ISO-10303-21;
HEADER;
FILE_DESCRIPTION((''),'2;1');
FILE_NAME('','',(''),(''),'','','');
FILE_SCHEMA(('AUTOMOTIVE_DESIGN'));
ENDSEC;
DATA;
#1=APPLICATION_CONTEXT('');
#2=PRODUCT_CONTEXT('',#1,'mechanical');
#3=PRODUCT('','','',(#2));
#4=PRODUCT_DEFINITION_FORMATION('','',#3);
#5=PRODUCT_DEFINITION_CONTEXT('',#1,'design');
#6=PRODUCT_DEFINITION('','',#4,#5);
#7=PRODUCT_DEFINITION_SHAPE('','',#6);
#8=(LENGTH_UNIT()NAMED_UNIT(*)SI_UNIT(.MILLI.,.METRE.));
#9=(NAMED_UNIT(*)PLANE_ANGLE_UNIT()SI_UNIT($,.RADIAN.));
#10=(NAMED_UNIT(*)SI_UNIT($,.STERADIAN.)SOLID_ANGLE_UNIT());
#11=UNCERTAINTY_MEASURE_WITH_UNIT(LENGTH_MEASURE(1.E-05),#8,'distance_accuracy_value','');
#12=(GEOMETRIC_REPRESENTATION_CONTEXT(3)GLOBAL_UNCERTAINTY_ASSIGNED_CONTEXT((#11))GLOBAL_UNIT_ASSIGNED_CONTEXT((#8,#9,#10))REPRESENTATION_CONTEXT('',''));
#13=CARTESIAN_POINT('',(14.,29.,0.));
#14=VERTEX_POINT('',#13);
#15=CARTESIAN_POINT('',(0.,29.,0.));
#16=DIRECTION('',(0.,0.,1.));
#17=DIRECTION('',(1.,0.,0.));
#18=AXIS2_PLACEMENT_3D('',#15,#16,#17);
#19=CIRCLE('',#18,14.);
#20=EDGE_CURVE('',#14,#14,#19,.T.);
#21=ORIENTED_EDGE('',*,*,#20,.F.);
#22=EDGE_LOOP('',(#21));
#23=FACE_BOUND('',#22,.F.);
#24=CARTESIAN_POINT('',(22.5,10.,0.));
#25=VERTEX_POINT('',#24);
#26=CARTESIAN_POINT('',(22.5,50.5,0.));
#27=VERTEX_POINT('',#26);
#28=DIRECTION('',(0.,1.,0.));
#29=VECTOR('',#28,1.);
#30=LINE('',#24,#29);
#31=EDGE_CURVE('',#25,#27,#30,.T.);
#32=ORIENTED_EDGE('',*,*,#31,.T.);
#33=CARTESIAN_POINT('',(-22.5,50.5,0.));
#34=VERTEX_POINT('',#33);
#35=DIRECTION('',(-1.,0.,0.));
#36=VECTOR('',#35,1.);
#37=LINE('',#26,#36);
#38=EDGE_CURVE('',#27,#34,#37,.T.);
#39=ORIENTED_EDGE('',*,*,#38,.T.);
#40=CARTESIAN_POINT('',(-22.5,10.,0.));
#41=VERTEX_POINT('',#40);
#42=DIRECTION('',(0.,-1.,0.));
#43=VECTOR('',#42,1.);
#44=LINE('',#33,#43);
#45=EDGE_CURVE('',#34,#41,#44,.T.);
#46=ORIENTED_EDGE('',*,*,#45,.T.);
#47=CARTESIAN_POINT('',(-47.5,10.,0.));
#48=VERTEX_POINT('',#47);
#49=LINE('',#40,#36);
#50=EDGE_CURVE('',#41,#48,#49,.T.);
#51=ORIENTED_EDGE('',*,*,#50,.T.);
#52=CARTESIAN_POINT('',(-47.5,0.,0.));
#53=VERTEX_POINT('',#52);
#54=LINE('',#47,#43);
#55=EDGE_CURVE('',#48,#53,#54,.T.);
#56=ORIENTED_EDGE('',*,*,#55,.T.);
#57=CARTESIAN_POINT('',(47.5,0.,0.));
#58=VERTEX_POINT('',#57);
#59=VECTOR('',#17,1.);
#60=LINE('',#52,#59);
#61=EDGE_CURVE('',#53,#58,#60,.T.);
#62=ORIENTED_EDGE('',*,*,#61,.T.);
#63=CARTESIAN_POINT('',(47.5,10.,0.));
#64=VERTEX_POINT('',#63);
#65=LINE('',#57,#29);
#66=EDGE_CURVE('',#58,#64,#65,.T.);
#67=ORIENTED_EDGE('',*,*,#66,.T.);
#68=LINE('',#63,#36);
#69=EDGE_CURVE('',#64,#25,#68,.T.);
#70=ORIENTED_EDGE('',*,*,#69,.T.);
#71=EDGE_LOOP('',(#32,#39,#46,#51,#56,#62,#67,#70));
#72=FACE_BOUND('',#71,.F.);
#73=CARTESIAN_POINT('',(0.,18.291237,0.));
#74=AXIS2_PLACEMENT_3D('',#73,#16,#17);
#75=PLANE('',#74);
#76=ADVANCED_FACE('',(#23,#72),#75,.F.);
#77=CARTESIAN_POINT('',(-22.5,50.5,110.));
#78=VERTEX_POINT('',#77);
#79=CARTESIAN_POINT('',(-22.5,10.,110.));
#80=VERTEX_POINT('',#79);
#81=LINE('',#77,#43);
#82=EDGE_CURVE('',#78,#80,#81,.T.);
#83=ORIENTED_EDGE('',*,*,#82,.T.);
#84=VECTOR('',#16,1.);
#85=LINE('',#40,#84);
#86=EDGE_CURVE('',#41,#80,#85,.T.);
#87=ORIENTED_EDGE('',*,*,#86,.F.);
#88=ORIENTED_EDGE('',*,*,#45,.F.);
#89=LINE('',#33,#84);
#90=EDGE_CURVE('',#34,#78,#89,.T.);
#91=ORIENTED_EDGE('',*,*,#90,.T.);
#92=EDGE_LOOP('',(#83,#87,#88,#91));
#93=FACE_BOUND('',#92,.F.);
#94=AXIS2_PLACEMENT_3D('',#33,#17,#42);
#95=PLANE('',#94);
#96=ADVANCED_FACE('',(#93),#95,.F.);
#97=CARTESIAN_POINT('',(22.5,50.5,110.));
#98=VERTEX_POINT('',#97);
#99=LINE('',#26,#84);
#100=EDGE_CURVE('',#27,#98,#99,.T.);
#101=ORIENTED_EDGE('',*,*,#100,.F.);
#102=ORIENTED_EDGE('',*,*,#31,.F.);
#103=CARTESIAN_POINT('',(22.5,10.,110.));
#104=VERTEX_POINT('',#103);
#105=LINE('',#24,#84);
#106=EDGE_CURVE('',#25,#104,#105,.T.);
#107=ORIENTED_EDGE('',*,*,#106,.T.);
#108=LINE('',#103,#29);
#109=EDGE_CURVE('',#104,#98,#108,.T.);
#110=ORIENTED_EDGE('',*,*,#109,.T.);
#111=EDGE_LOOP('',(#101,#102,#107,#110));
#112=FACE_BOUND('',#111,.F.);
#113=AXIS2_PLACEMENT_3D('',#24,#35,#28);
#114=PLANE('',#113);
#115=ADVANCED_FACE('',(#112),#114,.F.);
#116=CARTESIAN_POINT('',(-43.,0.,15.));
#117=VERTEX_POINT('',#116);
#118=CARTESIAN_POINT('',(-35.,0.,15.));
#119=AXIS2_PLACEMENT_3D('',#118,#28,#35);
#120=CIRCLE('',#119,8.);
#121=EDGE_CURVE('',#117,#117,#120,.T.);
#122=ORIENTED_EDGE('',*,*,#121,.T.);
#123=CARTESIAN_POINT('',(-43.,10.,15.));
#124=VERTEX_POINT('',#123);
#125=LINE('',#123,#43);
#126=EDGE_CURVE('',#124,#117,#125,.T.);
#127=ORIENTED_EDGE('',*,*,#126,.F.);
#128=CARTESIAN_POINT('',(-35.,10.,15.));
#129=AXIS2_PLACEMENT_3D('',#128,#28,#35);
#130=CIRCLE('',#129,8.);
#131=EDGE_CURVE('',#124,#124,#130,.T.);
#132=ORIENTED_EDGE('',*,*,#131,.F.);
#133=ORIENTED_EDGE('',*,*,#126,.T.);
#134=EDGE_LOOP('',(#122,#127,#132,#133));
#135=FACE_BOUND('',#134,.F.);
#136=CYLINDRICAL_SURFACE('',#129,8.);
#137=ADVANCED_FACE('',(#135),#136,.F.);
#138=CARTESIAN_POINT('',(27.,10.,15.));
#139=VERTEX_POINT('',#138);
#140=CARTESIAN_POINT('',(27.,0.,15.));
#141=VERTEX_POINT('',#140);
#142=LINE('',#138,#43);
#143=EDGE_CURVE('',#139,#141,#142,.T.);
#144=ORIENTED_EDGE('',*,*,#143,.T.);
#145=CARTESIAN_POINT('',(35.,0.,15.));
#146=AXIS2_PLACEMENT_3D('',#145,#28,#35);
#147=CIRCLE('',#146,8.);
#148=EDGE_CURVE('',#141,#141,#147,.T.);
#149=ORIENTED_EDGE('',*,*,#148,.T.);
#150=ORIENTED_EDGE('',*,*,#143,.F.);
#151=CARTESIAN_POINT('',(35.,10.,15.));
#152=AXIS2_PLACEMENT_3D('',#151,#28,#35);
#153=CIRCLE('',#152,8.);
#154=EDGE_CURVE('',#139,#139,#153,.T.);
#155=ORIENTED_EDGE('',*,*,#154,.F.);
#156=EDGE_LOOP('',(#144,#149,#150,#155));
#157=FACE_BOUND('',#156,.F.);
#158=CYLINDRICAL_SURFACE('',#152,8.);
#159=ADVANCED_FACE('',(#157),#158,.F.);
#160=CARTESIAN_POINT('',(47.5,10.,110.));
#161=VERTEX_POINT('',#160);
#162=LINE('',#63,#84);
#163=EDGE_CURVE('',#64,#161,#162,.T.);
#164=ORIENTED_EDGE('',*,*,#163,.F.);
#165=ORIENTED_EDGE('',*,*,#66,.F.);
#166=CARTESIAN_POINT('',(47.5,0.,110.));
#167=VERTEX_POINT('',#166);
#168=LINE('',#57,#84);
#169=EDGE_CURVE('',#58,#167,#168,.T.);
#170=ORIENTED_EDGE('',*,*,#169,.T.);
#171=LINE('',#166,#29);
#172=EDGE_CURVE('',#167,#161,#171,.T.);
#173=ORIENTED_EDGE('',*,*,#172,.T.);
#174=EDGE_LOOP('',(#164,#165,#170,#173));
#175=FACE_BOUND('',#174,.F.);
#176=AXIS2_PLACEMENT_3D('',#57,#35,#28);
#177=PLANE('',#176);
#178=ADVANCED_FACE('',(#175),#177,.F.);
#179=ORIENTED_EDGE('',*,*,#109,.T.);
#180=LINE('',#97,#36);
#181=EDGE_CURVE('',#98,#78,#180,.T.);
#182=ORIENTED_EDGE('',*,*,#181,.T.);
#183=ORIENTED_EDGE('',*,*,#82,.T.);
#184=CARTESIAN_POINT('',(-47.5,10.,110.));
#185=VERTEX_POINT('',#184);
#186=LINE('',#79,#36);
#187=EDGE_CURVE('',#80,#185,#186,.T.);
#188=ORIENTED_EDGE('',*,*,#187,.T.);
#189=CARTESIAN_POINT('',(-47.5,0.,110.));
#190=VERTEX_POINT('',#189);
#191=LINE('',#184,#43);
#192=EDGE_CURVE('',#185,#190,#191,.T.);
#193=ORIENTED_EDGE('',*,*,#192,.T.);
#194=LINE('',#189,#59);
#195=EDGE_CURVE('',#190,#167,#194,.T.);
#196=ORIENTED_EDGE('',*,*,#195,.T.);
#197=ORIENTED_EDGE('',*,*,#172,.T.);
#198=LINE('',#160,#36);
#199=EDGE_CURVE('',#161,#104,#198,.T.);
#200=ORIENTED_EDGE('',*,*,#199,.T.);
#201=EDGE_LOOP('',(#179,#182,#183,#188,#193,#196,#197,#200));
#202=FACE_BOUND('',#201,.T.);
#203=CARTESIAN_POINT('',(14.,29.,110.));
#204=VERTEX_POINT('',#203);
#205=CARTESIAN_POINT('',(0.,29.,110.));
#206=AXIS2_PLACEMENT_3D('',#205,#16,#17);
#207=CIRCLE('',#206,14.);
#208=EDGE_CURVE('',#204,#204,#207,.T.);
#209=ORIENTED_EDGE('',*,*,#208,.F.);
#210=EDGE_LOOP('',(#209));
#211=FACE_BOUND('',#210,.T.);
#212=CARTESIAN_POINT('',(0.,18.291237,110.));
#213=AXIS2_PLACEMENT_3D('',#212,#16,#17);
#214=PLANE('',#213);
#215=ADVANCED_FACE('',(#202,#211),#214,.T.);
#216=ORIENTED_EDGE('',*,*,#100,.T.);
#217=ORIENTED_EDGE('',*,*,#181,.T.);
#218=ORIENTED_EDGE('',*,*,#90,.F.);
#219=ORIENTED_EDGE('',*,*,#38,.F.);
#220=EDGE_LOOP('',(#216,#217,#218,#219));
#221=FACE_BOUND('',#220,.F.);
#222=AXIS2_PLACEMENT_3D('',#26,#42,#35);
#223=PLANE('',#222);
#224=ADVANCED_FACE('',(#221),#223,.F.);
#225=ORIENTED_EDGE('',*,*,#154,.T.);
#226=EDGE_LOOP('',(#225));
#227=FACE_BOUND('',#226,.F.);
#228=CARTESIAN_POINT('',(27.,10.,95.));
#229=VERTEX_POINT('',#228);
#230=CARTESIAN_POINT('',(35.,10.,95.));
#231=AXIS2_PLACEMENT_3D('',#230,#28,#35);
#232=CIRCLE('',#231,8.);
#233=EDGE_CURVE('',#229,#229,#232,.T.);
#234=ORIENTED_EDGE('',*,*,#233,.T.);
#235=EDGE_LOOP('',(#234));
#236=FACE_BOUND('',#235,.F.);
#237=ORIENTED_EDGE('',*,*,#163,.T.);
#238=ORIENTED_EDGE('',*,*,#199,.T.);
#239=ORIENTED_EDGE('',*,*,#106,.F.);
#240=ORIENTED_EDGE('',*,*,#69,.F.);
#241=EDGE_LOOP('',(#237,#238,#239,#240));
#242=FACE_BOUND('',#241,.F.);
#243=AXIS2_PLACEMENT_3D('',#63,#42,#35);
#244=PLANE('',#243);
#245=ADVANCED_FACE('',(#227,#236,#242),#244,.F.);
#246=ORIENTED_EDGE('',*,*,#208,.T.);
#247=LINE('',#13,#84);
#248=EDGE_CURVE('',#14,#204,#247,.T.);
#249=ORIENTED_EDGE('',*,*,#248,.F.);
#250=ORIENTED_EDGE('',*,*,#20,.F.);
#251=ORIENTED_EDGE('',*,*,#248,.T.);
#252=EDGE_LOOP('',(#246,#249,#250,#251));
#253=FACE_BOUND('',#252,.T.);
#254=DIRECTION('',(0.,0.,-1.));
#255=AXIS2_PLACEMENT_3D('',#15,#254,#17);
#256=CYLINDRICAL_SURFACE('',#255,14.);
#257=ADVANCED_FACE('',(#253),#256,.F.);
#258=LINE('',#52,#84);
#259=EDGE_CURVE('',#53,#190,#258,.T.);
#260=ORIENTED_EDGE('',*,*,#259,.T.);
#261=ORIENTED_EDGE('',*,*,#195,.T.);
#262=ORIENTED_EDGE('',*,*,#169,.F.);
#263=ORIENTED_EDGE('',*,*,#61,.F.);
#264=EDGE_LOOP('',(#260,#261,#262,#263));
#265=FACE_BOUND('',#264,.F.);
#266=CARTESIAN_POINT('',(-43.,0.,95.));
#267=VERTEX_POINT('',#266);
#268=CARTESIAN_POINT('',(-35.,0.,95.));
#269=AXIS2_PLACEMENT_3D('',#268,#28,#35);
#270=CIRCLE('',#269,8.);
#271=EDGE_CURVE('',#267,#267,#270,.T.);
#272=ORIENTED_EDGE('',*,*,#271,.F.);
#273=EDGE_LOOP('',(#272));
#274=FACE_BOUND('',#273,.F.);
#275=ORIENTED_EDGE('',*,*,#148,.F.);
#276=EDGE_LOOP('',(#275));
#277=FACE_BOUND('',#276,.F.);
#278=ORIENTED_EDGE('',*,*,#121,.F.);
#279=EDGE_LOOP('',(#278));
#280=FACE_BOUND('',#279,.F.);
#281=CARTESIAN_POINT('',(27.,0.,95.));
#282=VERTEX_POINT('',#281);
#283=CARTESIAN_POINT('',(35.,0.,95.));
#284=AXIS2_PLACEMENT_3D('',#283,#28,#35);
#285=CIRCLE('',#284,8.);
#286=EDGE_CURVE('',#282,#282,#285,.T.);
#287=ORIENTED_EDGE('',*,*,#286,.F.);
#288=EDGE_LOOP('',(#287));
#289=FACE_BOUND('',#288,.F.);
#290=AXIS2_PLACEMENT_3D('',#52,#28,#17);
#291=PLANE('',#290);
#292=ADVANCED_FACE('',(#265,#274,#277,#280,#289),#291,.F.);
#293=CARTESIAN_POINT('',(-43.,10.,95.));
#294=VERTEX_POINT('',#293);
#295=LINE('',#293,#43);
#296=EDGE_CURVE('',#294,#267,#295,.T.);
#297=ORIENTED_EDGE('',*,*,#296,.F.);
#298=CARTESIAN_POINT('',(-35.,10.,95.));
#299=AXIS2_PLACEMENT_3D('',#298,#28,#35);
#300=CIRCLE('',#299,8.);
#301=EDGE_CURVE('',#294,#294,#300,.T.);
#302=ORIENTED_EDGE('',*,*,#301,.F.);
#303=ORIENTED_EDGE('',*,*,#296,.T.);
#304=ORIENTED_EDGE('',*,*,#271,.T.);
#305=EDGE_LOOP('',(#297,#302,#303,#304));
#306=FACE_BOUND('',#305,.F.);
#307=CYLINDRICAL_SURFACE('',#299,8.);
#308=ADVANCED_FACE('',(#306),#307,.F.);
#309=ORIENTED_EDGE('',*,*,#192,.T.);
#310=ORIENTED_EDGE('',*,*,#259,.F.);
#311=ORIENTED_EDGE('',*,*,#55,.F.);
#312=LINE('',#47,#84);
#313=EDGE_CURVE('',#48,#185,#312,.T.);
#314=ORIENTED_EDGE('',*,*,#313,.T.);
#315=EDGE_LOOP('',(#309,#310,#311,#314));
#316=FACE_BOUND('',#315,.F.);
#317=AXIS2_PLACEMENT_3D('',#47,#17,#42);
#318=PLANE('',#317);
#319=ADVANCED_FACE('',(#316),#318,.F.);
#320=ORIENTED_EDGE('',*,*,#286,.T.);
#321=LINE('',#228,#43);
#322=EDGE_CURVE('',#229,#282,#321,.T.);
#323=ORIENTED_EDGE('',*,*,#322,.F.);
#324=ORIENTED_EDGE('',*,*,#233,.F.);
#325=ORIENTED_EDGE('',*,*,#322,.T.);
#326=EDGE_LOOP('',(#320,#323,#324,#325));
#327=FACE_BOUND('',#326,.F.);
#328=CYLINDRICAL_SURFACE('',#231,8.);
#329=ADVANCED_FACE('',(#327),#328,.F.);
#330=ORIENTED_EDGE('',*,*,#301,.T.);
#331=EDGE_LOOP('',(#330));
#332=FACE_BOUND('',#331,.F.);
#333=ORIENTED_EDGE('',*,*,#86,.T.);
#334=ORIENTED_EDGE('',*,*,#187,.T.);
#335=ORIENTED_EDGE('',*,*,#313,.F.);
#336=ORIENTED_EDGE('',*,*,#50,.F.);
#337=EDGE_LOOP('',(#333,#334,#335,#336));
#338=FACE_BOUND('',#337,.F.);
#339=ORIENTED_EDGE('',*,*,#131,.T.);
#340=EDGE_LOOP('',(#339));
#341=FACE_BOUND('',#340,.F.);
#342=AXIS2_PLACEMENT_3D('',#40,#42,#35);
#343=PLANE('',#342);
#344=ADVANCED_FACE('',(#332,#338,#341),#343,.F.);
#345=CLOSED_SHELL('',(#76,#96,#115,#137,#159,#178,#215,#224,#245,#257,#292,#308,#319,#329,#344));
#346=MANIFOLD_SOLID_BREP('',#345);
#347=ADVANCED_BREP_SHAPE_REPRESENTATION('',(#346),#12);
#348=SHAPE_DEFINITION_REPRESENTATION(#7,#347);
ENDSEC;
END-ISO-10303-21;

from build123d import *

# Parameters (mm, degrees)
F0_R     = 14
F1_DEPTH = 110
F2_R     = 8
F3_DEPTH = 25


with BuildPart() as f1:
    # F0 (on Top) → F1 (new body)
    with BuildSketch(Plane.XY):
        Polygon((-47.5, 10), (-47.5, 0), (47.5, 0), (47.5, 10), (22.5, 10), (22.5, 50.5), (-22.5, 50.5), (-22.5, 10), align=None)
        with Locations((0, 29)):
            Circle(F0_R, mode=Mode.SUBTRACT)
    extrude(amount=F1_DEPTH)

    # F2 (on face) → F3 (cut)
    with BuildSketch(Plane(origin=(0, 10, 0), x_dir=(-1, 0, 0), z_dir=(0, 1, 0))):
        with Locations((-35, 95)):
            Circle(F2_R)
        with Locations((-35, 15)):
            Circle(F2_R)
        with Locations((35, 95)):
            Circle(F2_R)
        with Locations((35, 15)):
            Circle(F2_R)
    extrude(amount=-F3_DEPTH, mode=Mode.SUBTRACT)


solid = f1.part
